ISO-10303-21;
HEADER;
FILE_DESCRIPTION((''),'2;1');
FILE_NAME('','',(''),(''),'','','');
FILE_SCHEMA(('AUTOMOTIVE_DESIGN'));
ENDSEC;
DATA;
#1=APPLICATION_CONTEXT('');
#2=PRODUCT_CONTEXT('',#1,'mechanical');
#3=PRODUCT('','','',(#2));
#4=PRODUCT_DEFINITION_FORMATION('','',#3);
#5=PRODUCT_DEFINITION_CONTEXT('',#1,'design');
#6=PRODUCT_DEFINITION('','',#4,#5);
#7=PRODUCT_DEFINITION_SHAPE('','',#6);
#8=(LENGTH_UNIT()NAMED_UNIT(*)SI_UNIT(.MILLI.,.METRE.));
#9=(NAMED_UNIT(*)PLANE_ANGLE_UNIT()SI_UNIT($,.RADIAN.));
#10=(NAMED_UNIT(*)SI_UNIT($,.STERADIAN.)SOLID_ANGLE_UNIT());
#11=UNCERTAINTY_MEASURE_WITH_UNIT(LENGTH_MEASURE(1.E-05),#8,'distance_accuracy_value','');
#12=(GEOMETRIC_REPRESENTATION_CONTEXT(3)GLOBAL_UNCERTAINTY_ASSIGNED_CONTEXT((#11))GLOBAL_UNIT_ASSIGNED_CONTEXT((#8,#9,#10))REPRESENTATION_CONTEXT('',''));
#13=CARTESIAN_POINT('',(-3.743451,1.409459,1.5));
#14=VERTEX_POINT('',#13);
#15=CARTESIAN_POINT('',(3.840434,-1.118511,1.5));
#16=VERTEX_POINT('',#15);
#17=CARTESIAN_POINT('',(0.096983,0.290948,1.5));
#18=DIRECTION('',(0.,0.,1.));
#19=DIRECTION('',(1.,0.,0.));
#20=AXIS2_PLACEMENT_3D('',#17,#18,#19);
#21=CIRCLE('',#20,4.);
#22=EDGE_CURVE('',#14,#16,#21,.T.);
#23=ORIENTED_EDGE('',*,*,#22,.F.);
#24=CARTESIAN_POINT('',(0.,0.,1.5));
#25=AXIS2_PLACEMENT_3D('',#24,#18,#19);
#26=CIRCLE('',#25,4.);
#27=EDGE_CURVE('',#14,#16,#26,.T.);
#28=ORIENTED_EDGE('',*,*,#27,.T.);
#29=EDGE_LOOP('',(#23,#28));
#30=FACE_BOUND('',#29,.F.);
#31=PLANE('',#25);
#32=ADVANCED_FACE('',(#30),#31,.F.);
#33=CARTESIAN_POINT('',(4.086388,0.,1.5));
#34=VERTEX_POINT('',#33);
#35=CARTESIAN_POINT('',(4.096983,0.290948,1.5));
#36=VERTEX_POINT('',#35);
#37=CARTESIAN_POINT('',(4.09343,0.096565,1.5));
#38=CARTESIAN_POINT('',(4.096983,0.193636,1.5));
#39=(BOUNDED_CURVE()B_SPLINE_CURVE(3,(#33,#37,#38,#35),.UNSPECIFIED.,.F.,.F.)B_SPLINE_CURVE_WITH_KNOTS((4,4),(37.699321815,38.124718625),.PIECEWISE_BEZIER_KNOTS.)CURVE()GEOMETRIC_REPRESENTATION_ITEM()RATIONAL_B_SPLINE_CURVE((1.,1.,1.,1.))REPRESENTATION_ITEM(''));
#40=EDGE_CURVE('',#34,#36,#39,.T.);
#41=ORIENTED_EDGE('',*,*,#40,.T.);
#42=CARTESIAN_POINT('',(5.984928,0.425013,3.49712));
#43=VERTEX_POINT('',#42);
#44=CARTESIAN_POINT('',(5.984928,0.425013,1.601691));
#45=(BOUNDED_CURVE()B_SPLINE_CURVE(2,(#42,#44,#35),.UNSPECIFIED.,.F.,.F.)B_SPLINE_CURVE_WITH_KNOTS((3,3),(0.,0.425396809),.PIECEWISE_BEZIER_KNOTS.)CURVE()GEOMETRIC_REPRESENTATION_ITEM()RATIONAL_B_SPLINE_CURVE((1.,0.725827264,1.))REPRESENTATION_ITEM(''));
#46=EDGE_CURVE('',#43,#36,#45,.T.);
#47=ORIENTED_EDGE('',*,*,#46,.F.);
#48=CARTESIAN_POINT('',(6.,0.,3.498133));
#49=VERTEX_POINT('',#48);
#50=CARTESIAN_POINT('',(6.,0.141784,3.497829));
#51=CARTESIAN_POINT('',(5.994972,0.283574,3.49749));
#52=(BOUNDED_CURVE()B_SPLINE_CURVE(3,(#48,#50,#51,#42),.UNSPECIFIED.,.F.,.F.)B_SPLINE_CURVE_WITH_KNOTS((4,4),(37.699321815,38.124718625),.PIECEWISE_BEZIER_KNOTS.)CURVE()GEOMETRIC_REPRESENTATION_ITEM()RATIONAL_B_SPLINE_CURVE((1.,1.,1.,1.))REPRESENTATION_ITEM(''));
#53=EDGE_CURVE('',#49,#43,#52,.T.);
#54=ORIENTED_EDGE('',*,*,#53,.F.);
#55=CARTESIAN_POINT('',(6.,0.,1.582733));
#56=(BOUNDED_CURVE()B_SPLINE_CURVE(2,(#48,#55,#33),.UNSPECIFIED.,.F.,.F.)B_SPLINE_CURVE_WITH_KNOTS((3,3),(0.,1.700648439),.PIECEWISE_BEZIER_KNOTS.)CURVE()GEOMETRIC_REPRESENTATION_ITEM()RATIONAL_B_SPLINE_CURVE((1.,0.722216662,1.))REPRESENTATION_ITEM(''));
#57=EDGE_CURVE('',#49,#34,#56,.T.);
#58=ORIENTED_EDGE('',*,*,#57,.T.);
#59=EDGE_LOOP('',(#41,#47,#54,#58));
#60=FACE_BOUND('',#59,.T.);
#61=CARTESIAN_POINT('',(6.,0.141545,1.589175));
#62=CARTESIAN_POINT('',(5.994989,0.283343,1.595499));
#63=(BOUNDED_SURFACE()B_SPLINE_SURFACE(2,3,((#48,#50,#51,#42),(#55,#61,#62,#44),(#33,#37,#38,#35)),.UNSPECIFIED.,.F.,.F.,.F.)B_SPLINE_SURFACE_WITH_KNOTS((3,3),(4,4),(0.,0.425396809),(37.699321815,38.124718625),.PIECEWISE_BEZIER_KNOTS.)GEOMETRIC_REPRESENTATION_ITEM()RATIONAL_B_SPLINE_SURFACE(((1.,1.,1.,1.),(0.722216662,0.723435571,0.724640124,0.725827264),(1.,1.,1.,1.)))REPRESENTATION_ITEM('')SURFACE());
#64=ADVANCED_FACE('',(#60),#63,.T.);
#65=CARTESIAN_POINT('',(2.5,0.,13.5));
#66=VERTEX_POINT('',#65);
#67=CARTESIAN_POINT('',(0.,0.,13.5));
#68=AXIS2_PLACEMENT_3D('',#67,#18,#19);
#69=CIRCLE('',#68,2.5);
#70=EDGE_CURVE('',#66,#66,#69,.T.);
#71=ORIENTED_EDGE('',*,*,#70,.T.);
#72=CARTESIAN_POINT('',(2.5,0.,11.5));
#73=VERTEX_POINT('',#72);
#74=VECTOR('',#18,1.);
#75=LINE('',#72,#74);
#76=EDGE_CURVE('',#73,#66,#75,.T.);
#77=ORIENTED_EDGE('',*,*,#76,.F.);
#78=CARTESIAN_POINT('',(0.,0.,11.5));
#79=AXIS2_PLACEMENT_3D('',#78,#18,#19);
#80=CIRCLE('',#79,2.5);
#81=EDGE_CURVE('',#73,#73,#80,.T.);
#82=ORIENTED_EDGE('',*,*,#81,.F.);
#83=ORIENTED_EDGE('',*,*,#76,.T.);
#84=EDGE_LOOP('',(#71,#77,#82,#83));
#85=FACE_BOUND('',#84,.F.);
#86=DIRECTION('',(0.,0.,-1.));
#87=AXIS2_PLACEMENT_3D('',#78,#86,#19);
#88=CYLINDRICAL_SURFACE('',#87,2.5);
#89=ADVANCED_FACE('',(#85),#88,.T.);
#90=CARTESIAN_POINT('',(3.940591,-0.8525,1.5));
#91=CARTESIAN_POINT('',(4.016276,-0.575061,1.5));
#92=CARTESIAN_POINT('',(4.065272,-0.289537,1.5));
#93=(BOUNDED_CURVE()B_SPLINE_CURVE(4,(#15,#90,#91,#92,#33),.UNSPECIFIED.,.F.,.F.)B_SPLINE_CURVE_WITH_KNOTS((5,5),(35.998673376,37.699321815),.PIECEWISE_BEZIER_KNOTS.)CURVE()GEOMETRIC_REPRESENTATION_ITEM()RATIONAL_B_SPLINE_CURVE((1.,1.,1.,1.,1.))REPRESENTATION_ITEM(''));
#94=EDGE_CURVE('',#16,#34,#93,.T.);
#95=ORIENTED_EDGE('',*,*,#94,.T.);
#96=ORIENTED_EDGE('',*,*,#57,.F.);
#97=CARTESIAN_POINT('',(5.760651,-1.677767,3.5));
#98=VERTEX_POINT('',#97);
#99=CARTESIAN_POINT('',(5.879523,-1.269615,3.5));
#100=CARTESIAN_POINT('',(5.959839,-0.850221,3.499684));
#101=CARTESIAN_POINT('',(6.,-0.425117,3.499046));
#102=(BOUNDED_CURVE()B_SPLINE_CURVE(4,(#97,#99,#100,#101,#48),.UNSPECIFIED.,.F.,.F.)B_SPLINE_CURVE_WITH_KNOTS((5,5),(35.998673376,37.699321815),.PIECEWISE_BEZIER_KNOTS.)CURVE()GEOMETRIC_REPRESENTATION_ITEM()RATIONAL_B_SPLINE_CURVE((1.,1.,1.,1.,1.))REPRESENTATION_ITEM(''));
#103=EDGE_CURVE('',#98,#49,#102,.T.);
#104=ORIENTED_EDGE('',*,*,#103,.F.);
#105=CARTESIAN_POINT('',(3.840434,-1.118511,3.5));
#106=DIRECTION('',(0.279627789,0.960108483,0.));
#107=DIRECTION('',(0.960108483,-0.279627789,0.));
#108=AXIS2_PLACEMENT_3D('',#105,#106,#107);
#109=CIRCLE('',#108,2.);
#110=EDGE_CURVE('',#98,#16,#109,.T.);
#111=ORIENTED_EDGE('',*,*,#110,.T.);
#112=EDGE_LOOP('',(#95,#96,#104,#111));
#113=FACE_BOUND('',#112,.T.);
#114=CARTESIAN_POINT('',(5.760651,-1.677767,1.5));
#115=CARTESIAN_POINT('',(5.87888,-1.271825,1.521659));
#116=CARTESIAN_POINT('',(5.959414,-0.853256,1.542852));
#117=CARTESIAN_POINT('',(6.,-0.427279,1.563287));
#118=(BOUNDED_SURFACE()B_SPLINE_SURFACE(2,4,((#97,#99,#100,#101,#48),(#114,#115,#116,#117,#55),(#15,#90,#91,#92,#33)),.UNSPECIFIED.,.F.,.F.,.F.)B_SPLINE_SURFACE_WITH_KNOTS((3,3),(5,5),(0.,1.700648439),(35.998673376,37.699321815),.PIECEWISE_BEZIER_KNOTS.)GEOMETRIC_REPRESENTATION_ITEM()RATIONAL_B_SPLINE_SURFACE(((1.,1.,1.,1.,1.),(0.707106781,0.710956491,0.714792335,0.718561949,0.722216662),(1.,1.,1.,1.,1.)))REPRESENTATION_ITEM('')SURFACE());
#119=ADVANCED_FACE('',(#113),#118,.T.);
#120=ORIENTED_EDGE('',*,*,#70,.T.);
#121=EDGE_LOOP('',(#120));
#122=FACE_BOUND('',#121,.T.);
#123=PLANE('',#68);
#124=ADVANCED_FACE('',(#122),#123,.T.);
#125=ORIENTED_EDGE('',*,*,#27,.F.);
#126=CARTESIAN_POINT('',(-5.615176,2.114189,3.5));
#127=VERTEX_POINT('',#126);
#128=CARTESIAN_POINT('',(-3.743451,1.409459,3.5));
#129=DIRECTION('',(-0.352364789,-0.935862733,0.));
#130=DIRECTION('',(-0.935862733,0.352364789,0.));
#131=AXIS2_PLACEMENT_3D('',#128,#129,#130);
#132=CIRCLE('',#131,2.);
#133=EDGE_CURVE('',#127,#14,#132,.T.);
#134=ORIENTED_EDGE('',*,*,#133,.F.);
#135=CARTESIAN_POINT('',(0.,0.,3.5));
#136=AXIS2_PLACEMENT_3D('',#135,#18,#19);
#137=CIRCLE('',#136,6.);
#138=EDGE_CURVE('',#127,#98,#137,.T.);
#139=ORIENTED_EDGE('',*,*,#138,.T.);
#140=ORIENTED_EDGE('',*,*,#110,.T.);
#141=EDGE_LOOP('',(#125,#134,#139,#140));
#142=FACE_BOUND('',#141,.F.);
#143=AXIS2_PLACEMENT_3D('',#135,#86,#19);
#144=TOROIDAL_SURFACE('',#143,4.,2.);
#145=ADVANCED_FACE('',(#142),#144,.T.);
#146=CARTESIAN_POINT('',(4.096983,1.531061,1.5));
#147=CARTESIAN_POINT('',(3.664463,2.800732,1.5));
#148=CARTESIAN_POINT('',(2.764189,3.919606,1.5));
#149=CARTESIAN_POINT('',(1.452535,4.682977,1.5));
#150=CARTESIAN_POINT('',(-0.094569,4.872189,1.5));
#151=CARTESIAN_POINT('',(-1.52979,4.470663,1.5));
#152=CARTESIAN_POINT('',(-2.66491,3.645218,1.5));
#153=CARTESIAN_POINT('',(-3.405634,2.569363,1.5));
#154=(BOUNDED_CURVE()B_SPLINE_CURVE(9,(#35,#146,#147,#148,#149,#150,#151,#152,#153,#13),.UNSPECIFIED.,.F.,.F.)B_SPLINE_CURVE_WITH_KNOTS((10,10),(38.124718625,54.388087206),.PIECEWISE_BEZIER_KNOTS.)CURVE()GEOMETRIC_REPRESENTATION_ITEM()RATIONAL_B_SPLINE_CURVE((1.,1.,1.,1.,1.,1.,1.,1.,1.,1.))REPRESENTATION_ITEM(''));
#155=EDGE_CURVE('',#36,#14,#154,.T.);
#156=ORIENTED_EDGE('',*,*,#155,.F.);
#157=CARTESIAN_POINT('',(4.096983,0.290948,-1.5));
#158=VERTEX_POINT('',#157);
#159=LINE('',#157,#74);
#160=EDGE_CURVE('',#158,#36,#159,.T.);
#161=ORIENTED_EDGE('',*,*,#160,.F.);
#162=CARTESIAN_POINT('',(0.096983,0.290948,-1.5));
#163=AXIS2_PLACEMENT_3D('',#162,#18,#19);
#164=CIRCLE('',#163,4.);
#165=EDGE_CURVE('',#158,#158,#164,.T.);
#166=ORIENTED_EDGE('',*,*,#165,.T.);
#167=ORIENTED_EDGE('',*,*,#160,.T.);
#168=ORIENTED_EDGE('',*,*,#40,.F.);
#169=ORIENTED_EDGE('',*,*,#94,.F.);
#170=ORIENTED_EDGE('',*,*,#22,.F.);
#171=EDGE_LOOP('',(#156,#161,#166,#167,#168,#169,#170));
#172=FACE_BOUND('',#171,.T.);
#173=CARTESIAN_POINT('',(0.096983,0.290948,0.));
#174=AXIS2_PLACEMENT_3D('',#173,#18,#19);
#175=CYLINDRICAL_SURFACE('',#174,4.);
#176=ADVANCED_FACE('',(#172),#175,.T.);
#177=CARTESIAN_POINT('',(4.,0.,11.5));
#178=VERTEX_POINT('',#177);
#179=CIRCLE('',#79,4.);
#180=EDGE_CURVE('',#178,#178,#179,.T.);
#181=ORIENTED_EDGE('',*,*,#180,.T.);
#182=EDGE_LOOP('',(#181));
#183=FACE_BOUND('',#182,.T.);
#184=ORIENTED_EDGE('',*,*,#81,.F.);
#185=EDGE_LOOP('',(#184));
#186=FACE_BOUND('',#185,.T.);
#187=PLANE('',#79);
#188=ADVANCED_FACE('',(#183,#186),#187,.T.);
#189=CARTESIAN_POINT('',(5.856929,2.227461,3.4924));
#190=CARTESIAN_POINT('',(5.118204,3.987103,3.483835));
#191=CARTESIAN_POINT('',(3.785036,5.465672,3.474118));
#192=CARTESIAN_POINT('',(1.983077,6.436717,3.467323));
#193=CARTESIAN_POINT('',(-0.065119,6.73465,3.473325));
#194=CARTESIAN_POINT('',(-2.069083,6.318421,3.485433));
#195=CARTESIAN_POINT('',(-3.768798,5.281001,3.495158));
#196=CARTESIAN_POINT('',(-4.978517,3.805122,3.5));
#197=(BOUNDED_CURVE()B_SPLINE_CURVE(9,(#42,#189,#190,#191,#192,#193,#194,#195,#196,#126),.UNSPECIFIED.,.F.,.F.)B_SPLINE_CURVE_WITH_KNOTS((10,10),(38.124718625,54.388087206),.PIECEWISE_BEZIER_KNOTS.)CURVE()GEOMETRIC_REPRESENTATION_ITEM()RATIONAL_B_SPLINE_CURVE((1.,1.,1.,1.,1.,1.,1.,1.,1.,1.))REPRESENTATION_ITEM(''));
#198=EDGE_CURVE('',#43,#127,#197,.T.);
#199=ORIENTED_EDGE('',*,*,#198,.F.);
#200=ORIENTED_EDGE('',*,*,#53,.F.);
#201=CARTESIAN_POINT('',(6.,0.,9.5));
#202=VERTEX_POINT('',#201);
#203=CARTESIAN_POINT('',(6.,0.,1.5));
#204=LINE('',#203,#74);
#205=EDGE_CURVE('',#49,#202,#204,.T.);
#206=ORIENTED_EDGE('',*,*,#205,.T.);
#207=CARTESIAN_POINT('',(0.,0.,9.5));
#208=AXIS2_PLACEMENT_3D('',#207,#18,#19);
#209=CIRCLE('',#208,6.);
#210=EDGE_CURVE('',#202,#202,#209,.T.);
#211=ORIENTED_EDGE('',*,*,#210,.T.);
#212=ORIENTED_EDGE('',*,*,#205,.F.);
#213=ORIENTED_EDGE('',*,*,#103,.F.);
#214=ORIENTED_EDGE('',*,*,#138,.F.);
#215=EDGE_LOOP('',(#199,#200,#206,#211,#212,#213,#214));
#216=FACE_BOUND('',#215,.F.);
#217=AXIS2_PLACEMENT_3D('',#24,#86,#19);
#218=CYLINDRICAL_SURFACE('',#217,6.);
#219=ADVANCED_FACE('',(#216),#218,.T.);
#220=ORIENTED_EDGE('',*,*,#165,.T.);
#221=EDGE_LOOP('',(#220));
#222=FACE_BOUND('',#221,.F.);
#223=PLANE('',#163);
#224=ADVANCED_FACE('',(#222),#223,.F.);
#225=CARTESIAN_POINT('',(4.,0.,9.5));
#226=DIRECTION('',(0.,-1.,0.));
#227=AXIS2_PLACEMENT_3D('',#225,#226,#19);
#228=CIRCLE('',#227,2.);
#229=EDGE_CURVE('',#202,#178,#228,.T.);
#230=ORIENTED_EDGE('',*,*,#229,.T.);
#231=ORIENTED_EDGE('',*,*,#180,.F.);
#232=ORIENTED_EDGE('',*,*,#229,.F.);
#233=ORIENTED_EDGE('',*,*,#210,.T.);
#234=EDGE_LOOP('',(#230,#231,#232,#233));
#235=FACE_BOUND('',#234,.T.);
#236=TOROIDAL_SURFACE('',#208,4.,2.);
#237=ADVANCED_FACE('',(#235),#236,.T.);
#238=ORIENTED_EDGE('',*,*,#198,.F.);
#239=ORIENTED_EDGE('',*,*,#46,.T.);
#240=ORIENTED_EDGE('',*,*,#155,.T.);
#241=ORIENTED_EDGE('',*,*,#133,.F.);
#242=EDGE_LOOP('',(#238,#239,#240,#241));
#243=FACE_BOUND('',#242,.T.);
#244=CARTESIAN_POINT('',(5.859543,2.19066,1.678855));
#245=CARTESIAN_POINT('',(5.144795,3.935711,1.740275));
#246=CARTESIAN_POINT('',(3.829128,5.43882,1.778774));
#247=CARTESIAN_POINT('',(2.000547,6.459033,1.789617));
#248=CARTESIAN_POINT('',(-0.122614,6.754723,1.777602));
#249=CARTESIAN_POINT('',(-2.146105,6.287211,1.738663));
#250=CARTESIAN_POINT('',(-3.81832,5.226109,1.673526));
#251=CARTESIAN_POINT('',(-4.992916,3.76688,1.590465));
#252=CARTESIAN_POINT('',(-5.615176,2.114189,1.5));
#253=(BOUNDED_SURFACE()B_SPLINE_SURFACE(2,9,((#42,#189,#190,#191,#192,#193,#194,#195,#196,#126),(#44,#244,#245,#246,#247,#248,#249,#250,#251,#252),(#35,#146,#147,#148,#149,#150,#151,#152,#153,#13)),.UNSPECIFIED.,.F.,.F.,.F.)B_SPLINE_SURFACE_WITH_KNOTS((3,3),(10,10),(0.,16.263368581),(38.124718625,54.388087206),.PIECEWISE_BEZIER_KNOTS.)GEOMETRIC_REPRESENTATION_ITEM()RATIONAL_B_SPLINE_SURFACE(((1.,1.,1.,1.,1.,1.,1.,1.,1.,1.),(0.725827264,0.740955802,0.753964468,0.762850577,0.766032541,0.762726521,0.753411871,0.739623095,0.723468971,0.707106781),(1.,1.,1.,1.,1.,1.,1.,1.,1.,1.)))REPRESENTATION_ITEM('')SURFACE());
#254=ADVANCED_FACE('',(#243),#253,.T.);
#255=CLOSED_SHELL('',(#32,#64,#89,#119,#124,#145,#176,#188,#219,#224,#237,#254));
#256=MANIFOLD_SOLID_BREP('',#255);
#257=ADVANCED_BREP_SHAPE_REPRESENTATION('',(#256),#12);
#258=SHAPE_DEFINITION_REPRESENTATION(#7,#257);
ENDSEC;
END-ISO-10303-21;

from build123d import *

# Parameters (mm, degrees)
F0_R     = 4
F1_DEPTH = 1.5
F2_R     = 6
F3_DEPTH = 10
F4_R     = 2.5
F5_DEPTH = 2
F6_R     = 2


with BuildPart() as f1:
    # F0 (on Top) → F1 (new body, symmetric)
    with BuildSketch(Plane.XY):
        with Locations((0.096983, 0.290948)):
            Circle(F0_R)
    extrude(amount=F1_DEPTH, both=True)

    # F2 (on face) → F3 (join)
    with BuildSketch(Plane.XY.offset(1.5)):
        Circle(F2_R)
    extrude(amount=F3_DEPTH)

    # F4 (on face) → F5 (join)
    with BuildSketch(Plane.XY.offset(11.5)):
        Circle(F4_R)
    extrude(amount=F5_DEPTH)

    # F6
    f6_edges = [f1.edges().sort_by_distance(p)[0] for p in [
        (-6, 0, 1.5),
        (-6, 0, 11.5),
    ]]
    fillet(f6_edges, radius=F6_R)


solid = f1.part
